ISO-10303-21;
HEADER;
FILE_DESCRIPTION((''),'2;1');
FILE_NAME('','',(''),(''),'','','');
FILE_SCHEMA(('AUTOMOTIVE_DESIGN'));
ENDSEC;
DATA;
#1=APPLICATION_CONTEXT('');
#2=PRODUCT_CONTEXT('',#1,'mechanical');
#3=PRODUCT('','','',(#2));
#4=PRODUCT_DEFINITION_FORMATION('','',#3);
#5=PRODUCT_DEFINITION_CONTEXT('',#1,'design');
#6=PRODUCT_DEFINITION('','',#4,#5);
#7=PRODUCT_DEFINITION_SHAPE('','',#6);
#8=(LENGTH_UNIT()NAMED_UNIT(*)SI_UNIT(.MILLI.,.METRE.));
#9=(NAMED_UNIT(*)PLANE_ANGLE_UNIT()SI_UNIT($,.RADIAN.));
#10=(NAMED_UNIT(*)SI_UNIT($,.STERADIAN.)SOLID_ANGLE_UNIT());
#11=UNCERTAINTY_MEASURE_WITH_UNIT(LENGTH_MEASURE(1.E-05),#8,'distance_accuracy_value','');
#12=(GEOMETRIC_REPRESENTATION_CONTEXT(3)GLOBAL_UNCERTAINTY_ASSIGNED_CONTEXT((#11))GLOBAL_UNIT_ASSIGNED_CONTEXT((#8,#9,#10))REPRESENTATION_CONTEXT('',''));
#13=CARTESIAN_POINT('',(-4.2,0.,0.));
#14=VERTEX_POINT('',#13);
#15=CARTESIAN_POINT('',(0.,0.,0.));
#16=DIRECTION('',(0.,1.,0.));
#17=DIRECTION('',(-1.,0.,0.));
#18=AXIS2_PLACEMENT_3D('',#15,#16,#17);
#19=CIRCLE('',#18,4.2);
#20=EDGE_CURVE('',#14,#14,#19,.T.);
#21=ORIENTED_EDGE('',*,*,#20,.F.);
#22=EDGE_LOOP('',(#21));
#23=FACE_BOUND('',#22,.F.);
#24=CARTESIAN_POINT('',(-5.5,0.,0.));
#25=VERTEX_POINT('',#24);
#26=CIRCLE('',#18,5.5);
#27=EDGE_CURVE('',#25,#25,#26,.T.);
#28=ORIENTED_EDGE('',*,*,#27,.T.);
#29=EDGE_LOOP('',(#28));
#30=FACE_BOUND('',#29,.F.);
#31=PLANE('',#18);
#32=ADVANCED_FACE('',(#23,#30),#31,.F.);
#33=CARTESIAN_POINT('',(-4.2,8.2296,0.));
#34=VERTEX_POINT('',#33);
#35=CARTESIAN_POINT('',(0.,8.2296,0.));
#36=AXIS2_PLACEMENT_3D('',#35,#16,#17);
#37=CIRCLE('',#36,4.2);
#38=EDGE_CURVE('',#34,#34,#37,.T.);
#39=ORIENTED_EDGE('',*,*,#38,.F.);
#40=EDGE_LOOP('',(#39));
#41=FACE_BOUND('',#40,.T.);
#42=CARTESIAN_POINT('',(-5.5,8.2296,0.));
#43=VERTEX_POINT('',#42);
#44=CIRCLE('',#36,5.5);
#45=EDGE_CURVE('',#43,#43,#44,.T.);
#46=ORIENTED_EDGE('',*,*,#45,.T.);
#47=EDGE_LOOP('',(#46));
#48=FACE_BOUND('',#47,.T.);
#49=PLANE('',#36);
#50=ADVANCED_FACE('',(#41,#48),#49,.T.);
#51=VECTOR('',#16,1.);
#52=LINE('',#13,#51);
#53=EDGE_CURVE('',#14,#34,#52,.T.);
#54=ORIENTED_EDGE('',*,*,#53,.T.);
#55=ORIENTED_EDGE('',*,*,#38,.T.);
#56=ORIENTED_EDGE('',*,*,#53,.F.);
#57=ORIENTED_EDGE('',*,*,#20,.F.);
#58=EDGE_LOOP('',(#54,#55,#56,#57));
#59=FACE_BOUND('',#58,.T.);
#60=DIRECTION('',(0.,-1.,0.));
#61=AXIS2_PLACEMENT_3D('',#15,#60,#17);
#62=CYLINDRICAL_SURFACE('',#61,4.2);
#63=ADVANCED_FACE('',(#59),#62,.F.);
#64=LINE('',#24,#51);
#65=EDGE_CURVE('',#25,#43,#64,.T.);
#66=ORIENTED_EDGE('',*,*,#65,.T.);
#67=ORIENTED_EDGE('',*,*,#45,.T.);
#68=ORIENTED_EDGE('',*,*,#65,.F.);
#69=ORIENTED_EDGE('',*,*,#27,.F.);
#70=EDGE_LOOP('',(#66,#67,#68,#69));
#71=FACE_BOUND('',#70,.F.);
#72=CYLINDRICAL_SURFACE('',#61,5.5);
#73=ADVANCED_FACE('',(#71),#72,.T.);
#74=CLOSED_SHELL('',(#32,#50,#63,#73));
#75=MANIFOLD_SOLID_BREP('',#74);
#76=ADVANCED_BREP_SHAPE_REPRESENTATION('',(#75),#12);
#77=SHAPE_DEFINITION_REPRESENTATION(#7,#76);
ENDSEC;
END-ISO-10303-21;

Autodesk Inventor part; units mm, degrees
ref_plane "YZ Plane" through (0, 0, 0) normal (1, 0, 0) x (0, 1, 0)
ref_plane "XZ Plane" through (0, 0, 0) normal (0, 1, 0) x (-1, 0, 0)
ref_plane "XY Plane" through (0, 0, 0) normal (0, 0, 1) x (1, 0, 0)
sketch "Sketch1" plane through (0, 0, 0) normal (0, 1, 0) x (-1, 0, 0)
  circle A0 centre (0, 0) radius 4.2
  circle A1 centre (0, 0) radius 5.5
  dimension "d1" = 8.4
  dimension "d2" = 11
extrude "Extrusion1" add sketch "Sketch1" along normal blind 8.2296
properties part number "spacer for channel outside"
